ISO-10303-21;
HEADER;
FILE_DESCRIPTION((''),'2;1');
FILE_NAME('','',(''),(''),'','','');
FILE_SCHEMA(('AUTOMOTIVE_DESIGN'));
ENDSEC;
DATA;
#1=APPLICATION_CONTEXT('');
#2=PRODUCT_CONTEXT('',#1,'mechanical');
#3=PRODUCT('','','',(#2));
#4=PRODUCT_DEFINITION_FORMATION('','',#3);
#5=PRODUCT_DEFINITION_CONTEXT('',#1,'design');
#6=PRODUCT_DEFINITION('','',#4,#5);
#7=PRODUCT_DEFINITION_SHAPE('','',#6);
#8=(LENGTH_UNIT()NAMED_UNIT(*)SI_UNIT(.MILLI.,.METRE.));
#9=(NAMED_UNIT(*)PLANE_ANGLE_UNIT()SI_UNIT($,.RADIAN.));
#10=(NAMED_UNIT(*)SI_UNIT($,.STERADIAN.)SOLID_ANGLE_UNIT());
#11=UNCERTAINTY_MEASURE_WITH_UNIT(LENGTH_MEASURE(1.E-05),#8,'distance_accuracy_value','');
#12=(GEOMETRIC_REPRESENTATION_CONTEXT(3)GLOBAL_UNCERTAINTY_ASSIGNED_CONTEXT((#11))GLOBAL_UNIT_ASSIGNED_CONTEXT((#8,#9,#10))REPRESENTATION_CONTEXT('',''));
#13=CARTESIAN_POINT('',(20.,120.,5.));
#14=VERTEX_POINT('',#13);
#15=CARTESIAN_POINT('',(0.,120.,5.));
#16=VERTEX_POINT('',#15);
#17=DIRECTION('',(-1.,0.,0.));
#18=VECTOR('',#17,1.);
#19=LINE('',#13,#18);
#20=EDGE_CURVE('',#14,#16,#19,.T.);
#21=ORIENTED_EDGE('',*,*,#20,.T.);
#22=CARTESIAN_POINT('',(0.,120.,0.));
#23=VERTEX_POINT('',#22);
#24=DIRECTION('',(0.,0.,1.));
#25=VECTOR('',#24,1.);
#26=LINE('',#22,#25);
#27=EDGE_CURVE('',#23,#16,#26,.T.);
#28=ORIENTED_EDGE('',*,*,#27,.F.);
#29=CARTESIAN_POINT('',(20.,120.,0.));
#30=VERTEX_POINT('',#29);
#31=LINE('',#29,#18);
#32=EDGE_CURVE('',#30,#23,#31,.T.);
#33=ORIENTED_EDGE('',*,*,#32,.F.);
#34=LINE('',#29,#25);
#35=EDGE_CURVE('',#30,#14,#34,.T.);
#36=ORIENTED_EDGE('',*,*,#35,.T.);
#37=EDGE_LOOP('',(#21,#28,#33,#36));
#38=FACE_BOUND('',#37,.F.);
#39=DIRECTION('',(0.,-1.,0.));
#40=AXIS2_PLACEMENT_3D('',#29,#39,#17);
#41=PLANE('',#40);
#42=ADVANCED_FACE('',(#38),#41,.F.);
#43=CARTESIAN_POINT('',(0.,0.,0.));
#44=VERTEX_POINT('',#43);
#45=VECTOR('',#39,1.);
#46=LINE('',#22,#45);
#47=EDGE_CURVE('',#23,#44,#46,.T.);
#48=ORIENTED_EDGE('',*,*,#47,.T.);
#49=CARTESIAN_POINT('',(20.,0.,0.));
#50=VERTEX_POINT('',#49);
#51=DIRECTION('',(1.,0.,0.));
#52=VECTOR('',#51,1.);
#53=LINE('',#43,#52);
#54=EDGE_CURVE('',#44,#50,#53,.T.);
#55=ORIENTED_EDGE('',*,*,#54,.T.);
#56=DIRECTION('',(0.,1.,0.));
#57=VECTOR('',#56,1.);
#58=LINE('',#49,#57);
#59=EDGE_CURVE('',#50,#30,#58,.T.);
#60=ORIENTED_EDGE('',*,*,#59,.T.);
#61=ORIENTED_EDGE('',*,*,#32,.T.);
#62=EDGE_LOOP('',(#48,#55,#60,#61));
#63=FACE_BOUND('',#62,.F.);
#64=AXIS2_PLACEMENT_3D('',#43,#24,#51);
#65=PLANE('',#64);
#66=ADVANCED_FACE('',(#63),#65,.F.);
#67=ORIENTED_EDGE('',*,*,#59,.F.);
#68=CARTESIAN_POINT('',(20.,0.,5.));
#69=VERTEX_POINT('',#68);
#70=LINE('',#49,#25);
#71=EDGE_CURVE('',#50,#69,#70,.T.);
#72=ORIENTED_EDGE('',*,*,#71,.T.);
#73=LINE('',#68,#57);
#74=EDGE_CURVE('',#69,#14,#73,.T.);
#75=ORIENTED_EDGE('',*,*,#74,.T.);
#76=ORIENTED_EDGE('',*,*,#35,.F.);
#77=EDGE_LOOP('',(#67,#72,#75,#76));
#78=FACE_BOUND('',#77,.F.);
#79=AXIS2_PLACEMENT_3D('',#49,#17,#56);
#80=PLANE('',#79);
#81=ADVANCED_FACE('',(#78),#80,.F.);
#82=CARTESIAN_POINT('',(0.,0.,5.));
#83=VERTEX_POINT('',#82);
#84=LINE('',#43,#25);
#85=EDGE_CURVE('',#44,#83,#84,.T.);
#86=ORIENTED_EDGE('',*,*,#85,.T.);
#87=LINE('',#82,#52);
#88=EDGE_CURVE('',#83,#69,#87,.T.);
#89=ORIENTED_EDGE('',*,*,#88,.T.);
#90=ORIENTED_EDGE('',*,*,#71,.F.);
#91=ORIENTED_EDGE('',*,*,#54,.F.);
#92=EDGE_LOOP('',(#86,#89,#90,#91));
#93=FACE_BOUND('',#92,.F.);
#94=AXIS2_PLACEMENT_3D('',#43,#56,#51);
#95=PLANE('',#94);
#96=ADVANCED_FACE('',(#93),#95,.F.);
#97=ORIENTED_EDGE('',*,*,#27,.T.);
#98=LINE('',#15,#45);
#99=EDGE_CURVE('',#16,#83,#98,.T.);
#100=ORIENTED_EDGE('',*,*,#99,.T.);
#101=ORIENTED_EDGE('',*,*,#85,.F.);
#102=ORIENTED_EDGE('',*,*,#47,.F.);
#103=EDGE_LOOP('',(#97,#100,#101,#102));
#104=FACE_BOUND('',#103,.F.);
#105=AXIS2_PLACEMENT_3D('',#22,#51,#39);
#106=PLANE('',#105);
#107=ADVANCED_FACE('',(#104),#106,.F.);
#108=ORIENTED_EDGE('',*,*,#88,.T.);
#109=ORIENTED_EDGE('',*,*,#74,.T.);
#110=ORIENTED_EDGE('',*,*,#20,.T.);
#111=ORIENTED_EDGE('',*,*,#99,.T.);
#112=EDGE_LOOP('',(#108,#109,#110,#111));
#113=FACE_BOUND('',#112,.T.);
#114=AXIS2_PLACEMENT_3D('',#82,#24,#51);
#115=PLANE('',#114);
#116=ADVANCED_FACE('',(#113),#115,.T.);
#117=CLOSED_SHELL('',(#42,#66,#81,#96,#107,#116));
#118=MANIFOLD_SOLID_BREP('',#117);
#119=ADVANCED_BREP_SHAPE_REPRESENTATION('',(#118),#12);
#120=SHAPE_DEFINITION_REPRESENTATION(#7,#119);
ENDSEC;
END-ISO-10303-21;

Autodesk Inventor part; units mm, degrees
ref_plane "YZ Plane" through (0, 0, 0) normal (1, 0, 0) x (0, 1, 0)
ref_plane "XZ Plane" through (0, 0, 0) normal (0, 1, 0) x (-1, 0, 0)
ref_plane "XY Plane" through (0, 0, 0) normal (0, 0, 1) x (1, 0, 0)
sketch "Sketch1" plane through (0, 0, 0) normal (0, 0, 1) x (1, 0, 0)
  line L0 (0, 0) -> (20, 0)
  line L1 (20, 0) -> (20, 120)
  line L2 (20, 120) -> (0, 120)
  line L3 (0, 120) -> (0, 0)
  dimension "d0" = 20
  dimension "d1" = 120
extrude "Extrusion1" add sketch "Sketch1" along normal blind 5
equation "\"d0\" = handlesupporth"
equation "\"d1\" = handlel"
equation "\"d2\" = pvct"
equation "\"lcsd\" = 19.05"
equation "\"lcwd1\" = 25"
equation "\"lcwd2\" = 34"
equation "\"lch1\" = 39"
equation "\"lcwd3\" = 43"
equation "\"dia1\" = 6"
equation "\"td\" = 18"
equation "\"bhh\" = 6"
equation "\"sw\" = 25"
equation "\"sh\" = 31"
equation "\"spacert\" = 2"
equation "\"pvct\" = 5"
equation "\"tankl\" = 379"
equation "\"dia4\" = 11"
equation "\"dia3\" = 8"
equation "\"play\" = 9"
equation "\"holeh\" = 26"
equation "\"slack\" = 0.5"
equation "\"surroundt\" = 5"
equation "\"play2\" = 3"
equation "\"diaair\" = 32"
equation "\"diaph\" = 32"
equation "\"diawater\" = 25"
equation "\"diacucl\" = 32"
equation "\"diahcl\" = 32"
equation "\"diaoverflow\" = 25"
equation "\"diasurroundhole\" = 42"
equation "\"bracketwbottom\" = 6"
equation "\"diagrate\" = 12"
equation "\"gratespacing\" = 12.02082"
equation "\"bottomdist\" = 9.6355"
equation "\"sidedist\" = 13.9375"
equation "\"handlel\" = 120"
equation "\"handlesupporth\" = 20"
equation "\"nett\" = 1"
equation "\"nethole\" = 16"
equation "\"netside\" = 3.5"
equation "\"nettop\" = 7"
equation "\"netholespacing\" = 2"
equation "\"diaetape\" = 32"
properties part number "tank_lid_handle_support" material "PVC-Piping"
